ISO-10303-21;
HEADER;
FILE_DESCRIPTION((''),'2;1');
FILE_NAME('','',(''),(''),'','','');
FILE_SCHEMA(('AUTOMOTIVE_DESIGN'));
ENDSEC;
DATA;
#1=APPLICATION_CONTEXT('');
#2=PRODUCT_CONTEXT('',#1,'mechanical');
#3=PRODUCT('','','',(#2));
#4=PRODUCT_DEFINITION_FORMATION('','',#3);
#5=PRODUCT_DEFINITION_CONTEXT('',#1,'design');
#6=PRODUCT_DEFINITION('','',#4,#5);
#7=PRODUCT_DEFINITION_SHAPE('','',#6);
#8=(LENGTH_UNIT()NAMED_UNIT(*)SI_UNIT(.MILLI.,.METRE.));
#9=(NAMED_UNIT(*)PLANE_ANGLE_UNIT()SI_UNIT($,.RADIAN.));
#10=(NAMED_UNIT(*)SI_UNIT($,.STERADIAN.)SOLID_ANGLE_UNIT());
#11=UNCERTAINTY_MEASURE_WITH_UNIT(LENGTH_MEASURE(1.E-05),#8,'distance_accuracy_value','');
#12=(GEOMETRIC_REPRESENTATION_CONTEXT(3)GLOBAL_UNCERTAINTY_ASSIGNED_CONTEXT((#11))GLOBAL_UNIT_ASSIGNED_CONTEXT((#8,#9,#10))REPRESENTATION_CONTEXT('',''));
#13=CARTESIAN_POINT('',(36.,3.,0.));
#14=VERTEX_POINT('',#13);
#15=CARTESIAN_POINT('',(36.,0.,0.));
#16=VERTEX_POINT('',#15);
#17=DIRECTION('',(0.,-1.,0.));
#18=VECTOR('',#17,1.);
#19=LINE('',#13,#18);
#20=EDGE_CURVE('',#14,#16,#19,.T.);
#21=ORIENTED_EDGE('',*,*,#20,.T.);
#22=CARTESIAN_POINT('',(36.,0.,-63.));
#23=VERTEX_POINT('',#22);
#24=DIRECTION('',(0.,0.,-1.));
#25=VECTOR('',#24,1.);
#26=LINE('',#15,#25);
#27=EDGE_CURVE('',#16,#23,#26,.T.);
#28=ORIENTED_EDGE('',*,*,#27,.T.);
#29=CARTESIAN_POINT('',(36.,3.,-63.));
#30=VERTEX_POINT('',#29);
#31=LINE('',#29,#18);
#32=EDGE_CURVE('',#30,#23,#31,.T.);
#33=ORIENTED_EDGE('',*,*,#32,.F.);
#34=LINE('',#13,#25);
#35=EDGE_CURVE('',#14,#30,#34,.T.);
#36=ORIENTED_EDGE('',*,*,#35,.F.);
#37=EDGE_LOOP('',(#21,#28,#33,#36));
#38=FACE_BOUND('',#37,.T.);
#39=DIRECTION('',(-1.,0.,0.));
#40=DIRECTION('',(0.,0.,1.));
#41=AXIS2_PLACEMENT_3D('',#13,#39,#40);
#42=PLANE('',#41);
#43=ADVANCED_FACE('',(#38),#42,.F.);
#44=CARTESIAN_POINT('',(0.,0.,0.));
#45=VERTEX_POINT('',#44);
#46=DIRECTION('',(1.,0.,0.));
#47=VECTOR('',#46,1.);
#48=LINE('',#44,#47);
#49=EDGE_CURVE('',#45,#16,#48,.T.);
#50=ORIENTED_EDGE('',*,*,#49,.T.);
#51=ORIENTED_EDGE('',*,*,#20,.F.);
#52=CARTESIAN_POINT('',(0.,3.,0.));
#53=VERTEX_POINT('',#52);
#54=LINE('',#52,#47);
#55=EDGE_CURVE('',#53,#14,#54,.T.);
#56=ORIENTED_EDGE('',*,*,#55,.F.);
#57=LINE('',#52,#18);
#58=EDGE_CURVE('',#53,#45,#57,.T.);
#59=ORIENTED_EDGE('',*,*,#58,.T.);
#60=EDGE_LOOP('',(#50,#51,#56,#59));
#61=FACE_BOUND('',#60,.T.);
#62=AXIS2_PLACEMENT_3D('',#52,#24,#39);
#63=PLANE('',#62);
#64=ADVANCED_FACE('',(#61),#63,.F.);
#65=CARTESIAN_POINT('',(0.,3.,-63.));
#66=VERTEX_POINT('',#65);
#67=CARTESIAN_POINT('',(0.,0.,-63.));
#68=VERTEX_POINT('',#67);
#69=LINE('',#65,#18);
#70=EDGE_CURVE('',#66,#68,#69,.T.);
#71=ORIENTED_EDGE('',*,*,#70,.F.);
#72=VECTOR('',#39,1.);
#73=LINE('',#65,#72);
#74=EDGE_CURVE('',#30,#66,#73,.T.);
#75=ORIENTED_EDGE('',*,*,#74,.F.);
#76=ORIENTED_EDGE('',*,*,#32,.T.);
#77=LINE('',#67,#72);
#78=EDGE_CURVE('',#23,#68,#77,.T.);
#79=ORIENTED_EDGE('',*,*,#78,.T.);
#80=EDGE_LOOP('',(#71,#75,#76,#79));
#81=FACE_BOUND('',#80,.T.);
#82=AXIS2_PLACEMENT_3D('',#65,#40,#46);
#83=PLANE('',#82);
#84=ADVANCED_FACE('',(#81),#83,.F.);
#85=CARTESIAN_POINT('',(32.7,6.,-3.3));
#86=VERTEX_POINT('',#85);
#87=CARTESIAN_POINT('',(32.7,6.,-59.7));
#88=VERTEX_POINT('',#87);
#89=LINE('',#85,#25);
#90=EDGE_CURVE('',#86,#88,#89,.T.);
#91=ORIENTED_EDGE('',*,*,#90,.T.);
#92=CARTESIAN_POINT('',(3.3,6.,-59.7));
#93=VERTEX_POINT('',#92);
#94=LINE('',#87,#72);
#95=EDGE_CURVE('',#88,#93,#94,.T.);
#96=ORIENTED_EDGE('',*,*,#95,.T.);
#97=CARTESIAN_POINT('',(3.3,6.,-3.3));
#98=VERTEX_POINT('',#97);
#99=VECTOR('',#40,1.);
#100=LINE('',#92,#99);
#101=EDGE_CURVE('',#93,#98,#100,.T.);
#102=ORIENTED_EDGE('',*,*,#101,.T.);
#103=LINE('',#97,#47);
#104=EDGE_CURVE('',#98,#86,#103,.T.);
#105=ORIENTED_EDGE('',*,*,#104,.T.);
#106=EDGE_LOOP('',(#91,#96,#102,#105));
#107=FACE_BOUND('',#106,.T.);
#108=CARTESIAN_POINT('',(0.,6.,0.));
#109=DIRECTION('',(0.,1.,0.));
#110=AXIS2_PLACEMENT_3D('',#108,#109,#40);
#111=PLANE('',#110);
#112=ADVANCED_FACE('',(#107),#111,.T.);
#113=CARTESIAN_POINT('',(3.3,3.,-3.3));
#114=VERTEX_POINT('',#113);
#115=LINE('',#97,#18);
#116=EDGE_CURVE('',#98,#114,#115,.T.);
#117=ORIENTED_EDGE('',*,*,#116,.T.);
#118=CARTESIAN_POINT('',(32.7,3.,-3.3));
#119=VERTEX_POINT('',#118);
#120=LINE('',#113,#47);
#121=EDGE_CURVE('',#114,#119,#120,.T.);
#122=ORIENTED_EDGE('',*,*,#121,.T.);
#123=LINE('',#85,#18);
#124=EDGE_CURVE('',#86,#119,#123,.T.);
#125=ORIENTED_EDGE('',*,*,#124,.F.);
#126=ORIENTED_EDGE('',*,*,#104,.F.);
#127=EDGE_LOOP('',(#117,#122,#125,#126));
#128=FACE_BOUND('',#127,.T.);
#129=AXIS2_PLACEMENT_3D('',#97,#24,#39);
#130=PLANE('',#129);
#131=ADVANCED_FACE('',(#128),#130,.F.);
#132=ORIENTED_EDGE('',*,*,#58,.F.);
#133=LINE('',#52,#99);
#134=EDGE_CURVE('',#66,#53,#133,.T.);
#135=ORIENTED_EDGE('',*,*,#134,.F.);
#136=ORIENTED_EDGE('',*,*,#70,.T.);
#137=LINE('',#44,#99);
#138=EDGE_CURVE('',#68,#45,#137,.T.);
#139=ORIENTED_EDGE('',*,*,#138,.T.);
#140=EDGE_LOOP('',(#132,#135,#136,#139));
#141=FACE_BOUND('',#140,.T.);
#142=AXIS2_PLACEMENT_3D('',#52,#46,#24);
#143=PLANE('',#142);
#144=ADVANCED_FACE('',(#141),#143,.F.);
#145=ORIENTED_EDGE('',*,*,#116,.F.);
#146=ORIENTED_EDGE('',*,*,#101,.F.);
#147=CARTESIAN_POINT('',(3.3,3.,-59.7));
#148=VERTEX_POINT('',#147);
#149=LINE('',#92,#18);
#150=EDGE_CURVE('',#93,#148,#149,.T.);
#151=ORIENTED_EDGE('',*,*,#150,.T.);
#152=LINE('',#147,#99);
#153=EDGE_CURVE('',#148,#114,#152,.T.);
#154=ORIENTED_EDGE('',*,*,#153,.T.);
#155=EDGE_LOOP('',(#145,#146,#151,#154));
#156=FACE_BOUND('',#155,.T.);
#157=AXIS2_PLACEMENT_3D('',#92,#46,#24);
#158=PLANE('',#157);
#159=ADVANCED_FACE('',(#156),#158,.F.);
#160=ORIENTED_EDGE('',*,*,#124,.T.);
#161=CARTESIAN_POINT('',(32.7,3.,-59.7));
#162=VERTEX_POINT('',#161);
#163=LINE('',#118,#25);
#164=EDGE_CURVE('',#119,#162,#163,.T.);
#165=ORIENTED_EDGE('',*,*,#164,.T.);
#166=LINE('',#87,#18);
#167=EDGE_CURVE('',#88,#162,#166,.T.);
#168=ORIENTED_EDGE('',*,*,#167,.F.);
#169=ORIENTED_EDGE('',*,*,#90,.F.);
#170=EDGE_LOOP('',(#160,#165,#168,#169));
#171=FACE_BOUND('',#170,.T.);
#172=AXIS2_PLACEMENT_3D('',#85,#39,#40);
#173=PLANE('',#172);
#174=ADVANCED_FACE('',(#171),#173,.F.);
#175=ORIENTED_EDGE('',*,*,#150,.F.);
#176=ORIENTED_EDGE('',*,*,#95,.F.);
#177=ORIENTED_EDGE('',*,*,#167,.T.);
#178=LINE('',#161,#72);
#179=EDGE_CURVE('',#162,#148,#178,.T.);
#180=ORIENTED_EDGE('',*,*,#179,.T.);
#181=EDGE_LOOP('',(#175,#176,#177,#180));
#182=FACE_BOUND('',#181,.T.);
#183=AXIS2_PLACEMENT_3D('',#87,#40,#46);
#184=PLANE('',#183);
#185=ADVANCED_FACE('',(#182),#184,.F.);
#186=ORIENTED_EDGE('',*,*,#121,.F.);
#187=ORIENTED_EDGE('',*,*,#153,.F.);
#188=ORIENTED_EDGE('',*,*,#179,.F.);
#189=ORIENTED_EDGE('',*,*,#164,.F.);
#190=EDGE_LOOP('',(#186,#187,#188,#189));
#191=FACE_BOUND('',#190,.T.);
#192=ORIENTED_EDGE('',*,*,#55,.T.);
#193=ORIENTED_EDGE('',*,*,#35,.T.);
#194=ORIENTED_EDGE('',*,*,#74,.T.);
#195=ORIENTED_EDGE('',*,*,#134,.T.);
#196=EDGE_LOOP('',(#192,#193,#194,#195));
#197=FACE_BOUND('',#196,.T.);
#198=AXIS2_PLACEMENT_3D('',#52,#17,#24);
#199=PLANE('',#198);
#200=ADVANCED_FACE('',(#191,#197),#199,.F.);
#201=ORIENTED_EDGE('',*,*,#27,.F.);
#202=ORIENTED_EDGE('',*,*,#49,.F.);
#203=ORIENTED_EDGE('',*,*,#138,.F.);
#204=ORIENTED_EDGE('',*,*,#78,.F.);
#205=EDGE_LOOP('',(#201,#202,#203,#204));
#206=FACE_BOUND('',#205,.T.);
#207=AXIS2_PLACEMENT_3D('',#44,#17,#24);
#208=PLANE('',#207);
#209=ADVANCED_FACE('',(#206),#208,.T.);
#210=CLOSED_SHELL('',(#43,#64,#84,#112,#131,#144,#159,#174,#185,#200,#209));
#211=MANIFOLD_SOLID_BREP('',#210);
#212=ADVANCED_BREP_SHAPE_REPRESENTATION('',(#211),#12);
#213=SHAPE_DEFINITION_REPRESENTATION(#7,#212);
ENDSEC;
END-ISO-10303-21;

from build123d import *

# Parameters (mm, degrees)
SKETCH1_W           = 36
SKETCH1_H           = 63
BOSS_EXTRUDE1_DEPTH = 3
SKETCH2_W           = 29.4
SKETCH2_H           = 56.4
BOSS_EXTRUDE2_DEPTH = 3


with BuildPart() as part:
    # Sketch1 → Boss-Extrude1 (new body)
    with BuildSketch(Plane(origin=(0, 0, 0), x_dir=(1, 0, 0), z_dir=(0, 1, 0))):
        with Locations((18, 31.5)):
            Rectangle(SKETCH1_W, SKETCH1_H)
    extrude(amount=BOSS_EXTRUDE1_DEPTH)

    # Sketch2 → Boss-Extrude2 (add)
    with BuildSketch(Plane(origin=(0, 3, 0), x_dir=(1, 0, 0), z_dir=(0, 1, 0))):
        with Locations((18, 31.5)):
            Rectangle(SKETCH2_W, SKETCH2_H)
    extrude(amount=BOSS_EXTRUDE2_DEPTH)


solid = part.part
